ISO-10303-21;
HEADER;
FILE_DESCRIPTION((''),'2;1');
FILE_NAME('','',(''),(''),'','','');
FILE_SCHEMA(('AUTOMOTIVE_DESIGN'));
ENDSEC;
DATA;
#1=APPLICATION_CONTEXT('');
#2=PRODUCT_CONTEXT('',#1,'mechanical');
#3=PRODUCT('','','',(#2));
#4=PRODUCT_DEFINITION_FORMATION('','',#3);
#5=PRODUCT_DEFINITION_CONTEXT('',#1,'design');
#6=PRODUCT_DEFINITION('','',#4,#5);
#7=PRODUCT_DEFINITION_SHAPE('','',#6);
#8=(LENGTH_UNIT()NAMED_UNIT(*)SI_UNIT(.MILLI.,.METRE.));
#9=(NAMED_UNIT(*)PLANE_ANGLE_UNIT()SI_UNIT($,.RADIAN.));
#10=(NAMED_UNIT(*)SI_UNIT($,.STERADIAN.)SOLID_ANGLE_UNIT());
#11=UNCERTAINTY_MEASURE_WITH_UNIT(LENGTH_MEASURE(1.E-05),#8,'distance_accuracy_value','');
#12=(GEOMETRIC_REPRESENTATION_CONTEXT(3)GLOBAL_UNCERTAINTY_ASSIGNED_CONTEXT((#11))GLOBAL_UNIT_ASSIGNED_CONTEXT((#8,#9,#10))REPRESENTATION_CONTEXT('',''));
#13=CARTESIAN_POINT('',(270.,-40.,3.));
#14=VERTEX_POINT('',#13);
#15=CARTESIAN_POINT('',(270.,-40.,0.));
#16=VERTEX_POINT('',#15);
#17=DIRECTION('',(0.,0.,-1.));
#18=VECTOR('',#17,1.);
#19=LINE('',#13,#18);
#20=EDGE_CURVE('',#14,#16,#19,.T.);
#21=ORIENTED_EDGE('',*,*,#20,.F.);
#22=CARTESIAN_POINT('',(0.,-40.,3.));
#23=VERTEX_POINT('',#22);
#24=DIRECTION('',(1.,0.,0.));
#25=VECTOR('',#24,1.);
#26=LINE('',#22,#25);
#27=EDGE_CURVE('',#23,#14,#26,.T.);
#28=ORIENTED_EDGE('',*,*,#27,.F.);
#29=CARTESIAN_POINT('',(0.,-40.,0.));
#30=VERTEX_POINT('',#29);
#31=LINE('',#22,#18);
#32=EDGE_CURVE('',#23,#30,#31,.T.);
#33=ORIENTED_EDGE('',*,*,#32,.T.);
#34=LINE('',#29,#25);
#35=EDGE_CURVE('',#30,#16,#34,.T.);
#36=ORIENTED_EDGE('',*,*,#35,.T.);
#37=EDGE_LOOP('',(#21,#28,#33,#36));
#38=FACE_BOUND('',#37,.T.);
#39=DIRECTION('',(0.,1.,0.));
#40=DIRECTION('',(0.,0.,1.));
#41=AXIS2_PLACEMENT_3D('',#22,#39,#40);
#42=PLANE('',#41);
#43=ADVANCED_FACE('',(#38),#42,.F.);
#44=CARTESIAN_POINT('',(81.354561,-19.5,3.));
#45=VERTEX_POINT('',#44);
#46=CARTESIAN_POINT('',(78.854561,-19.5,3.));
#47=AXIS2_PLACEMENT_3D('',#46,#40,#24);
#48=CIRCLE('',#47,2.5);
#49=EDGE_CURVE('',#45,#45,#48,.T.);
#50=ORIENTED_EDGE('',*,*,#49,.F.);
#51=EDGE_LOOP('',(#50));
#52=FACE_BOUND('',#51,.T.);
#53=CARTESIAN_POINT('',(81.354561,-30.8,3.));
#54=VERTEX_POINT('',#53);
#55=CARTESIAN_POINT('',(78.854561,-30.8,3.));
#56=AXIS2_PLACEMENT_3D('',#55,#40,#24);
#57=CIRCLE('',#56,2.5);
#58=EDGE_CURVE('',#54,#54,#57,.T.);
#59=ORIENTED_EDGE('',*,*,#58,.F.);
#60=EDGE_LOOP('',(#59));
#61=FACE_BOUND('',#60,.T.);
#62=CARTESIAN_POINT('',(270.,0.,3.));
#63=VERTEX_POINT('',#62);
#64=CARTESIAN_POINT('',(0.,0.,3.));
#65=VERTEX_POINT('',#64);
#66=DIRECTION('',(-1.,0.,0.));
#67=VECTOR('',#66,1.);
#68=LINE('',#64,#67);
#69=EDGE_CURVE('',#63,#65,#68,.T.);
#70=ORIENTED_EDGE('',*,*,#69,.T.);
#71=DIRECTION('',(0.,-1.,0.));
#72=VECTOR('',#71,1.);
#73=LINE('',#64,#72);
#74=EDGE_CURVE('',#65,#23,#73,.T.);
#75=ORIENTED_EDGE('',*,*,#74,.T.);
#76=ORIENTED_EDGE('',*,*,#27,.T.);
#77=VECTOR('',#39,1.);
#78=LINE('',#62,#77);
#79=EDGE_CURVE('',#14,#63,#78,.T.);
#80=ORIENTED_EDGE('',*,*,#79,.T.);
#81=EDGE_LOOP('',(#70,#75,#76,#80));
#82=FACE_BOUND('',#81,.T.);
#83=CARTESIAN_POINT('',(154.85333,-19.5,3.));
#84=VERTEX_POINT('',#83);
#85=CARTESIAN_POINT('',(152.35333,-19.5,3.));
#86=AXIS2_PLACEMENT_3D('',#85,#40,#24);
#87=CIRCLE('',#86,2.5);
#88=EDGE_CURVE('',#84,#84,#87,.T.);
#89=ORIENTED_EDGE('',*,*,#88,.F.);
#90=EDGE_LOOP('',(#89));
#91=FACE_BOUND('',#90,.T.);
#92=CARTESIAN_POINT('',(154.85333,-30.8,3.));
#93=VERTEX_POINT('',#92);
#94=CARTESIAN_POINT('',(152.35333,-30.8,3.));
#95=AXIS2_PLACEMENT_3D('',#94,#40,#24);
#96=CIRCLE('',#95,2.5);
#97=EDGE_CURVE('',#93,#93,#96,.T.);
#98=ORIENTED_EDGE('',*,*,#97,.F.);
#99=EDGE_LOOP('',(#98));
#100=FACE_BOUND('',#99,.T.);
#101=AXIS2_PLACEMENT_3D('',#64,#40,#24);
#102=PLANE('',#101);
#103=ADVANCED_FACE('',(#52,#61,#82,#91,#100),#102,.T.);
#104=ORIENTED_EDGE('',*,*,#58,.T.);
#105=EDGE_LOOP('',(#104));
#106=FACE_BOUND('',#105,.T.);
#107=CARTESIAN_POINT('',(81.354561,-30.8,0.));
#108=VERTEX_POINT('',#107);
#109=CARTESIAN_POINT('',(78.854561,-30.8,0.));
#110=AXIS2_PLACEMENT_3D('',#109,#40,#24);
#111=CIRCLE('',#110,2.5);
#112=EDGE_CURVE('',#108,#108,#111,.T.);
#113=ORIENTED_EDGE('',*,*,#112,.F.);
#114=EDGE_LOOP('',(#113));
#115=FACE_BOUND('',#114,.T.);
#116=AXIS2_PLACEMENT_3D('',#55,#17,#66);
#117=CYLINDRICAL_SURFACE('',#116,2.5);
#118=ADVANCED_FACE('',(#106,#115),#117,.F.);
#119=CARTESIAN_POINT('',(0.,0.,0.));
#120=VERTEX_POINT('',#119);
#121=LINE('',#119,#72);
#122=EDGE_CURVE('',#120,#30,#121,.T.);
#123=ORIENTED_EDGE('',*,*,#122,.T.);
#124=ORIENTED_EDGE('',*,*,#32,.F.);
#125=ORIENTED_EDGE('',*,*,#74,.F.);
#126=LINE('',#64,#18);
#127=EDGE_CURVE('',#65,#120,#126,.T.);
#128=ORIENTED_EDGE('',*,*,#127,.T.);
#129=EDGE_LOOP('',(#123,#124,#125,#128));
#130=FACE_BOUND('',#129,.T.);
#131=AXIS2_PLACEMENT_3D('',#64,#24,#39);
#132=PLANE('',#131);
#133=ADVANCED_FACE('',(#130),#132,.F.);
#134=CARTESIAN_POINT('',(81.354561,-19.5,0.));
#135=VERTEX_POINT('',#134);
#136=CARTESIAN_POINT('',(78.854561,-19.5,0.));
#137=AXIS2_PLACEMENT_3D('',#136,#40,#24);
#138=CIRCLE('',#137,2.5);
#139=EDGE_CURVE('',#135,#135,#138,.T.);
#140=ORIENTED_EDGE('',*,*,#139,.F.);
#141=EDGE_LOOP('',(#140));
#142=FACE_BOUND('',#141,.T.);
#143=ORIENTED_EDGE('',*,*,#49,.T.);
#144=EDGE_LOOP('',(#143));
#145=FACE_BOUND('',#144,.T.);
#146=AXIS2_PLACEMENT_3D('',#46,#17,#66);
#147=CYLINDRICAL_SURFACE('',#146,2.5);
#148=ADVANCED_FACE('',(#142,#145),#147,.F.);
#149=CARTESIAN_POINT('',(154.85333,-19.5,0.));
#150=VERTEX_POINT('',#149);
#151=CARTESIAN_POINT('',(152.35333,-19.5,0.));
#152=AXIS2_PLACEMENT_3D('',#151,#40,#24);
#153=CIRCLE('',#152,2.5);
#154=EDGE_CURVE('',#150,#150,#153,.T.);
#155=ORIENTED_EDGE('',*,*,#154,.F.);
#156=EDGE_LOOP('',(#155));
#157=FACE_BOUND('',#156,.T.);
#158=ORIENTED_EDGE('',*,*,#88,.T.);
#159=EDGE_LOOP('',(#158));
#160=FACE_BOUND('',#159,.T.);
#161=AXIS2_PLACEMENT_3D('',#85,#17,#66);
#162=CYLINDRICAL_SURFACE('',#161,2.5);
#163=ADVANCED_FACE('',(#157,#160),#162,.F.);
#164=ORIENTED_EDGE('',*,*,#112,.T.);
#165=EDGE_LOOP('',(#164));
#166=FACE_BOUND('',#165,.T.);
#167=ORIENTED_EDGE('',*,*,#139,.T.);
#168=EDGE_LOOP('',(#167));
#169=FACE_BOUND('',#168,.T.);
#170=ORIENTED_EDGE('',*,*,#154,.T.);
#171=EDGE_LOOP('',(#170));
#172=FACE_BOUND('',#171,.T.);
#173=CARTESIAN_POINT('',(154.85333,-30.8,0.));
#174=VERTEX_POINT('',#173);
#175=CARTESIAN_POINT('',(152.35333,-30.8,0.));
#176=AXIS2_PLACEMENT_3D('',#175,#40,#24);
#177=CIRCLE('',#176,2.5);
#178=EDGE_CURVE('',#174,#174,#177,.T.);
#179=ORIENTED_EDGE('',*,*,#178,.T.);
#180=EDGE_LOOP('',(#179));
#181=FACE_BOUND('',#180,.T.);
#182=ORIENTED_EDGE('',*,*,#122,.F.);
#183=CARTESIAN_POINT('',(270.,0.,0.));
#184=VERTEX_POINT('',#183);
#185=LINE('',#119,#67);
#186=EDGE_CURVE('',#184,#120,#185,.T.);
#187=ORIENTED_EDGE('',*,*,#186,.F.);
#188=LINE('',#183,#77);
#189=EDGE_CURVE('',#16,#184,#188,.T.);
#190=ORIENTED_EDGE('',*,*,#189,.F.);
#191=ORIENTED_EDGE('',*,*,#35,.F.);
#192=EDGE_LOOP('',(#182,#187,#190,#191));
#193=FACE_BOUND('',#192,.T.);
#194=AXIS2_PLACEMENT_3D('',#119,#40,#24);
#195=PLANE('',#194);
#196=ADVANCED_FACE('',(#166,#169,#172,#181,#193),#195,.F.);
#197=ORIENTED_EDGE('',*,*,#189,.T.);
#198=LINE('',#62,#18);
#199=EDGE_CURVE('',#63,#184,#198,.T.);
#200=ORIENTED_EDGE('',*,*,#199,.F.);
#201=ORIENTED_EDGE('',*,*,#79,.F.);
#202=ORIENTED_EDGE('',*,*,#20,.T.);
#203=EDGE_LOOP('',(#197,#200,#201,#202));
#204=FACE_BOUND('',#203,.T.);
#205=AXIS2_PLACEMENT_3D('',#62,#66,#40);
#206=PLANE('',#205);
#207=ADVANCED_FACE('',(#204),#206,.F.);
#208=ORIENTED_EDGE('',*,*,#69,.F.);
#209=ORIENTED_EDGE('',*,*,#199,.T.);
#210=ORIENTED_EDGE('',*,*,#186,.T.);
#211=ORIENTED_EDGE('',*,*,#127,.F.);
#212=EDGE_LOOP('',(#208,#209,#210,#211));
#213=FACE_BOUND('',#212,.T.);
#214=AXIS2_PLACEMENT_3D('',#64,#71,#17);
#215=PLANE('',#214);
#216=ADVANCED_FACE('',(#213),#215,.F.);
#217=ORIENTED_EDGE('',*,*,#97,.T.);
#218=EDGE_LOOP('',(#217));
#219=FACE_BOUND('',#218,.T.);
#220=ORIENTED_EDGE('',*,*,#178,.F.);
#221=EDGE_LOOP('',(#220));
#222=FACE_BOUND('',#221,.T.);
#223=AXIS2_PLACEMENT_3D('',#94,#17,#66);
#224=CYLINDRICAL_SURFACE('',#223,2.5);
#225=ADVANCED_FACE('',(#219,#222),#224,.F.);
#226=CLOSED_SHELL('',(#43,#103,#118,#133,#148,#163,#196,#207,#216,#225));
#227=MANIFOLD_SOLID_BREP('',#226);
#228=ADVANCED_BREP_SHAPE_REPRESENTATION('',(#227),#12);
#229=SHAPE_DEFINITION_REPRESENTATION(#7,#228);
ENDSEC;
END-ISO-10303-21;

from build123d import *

# Parameters (mm, degrees)
ESQUISSE1_W        = 270
ESQUISSE1_H        = 40
ESQUISSE1_R        = 2.5
BOSS_EXTRU_1_DEPTH = 3


with BuildPart() as part:
    # Esquisse1 → Boss.-Extru.1 (new body)
    with BuildSketch(Plane.XY):
        with Locations((135, -20)):
            Rectangle(ESQUISSE1_W, ESQUISSE1_H)
        with Locations((78.854560725, -19.5)):
            Circle(ESQUISSE1_R, mode=Mode.SUBTRACT)
        with Locations((78.854560725, -30.8)):
            Circle(ESQUISSE1_R, mode=Mode.SUBTRACT)
        with Locations((152.35332983, -19.5)):
            Circle(ESQUISSE1_R, mode=Mode.SUBTRACT)
        with Locations((152.35332983, -30.8)):
            Circle(ESQUISSE1_R, mode=Mode.SUBTRACT)
    extrude(amount=BOSS_EXTRU_1_DEPTH)


solid = part.part
